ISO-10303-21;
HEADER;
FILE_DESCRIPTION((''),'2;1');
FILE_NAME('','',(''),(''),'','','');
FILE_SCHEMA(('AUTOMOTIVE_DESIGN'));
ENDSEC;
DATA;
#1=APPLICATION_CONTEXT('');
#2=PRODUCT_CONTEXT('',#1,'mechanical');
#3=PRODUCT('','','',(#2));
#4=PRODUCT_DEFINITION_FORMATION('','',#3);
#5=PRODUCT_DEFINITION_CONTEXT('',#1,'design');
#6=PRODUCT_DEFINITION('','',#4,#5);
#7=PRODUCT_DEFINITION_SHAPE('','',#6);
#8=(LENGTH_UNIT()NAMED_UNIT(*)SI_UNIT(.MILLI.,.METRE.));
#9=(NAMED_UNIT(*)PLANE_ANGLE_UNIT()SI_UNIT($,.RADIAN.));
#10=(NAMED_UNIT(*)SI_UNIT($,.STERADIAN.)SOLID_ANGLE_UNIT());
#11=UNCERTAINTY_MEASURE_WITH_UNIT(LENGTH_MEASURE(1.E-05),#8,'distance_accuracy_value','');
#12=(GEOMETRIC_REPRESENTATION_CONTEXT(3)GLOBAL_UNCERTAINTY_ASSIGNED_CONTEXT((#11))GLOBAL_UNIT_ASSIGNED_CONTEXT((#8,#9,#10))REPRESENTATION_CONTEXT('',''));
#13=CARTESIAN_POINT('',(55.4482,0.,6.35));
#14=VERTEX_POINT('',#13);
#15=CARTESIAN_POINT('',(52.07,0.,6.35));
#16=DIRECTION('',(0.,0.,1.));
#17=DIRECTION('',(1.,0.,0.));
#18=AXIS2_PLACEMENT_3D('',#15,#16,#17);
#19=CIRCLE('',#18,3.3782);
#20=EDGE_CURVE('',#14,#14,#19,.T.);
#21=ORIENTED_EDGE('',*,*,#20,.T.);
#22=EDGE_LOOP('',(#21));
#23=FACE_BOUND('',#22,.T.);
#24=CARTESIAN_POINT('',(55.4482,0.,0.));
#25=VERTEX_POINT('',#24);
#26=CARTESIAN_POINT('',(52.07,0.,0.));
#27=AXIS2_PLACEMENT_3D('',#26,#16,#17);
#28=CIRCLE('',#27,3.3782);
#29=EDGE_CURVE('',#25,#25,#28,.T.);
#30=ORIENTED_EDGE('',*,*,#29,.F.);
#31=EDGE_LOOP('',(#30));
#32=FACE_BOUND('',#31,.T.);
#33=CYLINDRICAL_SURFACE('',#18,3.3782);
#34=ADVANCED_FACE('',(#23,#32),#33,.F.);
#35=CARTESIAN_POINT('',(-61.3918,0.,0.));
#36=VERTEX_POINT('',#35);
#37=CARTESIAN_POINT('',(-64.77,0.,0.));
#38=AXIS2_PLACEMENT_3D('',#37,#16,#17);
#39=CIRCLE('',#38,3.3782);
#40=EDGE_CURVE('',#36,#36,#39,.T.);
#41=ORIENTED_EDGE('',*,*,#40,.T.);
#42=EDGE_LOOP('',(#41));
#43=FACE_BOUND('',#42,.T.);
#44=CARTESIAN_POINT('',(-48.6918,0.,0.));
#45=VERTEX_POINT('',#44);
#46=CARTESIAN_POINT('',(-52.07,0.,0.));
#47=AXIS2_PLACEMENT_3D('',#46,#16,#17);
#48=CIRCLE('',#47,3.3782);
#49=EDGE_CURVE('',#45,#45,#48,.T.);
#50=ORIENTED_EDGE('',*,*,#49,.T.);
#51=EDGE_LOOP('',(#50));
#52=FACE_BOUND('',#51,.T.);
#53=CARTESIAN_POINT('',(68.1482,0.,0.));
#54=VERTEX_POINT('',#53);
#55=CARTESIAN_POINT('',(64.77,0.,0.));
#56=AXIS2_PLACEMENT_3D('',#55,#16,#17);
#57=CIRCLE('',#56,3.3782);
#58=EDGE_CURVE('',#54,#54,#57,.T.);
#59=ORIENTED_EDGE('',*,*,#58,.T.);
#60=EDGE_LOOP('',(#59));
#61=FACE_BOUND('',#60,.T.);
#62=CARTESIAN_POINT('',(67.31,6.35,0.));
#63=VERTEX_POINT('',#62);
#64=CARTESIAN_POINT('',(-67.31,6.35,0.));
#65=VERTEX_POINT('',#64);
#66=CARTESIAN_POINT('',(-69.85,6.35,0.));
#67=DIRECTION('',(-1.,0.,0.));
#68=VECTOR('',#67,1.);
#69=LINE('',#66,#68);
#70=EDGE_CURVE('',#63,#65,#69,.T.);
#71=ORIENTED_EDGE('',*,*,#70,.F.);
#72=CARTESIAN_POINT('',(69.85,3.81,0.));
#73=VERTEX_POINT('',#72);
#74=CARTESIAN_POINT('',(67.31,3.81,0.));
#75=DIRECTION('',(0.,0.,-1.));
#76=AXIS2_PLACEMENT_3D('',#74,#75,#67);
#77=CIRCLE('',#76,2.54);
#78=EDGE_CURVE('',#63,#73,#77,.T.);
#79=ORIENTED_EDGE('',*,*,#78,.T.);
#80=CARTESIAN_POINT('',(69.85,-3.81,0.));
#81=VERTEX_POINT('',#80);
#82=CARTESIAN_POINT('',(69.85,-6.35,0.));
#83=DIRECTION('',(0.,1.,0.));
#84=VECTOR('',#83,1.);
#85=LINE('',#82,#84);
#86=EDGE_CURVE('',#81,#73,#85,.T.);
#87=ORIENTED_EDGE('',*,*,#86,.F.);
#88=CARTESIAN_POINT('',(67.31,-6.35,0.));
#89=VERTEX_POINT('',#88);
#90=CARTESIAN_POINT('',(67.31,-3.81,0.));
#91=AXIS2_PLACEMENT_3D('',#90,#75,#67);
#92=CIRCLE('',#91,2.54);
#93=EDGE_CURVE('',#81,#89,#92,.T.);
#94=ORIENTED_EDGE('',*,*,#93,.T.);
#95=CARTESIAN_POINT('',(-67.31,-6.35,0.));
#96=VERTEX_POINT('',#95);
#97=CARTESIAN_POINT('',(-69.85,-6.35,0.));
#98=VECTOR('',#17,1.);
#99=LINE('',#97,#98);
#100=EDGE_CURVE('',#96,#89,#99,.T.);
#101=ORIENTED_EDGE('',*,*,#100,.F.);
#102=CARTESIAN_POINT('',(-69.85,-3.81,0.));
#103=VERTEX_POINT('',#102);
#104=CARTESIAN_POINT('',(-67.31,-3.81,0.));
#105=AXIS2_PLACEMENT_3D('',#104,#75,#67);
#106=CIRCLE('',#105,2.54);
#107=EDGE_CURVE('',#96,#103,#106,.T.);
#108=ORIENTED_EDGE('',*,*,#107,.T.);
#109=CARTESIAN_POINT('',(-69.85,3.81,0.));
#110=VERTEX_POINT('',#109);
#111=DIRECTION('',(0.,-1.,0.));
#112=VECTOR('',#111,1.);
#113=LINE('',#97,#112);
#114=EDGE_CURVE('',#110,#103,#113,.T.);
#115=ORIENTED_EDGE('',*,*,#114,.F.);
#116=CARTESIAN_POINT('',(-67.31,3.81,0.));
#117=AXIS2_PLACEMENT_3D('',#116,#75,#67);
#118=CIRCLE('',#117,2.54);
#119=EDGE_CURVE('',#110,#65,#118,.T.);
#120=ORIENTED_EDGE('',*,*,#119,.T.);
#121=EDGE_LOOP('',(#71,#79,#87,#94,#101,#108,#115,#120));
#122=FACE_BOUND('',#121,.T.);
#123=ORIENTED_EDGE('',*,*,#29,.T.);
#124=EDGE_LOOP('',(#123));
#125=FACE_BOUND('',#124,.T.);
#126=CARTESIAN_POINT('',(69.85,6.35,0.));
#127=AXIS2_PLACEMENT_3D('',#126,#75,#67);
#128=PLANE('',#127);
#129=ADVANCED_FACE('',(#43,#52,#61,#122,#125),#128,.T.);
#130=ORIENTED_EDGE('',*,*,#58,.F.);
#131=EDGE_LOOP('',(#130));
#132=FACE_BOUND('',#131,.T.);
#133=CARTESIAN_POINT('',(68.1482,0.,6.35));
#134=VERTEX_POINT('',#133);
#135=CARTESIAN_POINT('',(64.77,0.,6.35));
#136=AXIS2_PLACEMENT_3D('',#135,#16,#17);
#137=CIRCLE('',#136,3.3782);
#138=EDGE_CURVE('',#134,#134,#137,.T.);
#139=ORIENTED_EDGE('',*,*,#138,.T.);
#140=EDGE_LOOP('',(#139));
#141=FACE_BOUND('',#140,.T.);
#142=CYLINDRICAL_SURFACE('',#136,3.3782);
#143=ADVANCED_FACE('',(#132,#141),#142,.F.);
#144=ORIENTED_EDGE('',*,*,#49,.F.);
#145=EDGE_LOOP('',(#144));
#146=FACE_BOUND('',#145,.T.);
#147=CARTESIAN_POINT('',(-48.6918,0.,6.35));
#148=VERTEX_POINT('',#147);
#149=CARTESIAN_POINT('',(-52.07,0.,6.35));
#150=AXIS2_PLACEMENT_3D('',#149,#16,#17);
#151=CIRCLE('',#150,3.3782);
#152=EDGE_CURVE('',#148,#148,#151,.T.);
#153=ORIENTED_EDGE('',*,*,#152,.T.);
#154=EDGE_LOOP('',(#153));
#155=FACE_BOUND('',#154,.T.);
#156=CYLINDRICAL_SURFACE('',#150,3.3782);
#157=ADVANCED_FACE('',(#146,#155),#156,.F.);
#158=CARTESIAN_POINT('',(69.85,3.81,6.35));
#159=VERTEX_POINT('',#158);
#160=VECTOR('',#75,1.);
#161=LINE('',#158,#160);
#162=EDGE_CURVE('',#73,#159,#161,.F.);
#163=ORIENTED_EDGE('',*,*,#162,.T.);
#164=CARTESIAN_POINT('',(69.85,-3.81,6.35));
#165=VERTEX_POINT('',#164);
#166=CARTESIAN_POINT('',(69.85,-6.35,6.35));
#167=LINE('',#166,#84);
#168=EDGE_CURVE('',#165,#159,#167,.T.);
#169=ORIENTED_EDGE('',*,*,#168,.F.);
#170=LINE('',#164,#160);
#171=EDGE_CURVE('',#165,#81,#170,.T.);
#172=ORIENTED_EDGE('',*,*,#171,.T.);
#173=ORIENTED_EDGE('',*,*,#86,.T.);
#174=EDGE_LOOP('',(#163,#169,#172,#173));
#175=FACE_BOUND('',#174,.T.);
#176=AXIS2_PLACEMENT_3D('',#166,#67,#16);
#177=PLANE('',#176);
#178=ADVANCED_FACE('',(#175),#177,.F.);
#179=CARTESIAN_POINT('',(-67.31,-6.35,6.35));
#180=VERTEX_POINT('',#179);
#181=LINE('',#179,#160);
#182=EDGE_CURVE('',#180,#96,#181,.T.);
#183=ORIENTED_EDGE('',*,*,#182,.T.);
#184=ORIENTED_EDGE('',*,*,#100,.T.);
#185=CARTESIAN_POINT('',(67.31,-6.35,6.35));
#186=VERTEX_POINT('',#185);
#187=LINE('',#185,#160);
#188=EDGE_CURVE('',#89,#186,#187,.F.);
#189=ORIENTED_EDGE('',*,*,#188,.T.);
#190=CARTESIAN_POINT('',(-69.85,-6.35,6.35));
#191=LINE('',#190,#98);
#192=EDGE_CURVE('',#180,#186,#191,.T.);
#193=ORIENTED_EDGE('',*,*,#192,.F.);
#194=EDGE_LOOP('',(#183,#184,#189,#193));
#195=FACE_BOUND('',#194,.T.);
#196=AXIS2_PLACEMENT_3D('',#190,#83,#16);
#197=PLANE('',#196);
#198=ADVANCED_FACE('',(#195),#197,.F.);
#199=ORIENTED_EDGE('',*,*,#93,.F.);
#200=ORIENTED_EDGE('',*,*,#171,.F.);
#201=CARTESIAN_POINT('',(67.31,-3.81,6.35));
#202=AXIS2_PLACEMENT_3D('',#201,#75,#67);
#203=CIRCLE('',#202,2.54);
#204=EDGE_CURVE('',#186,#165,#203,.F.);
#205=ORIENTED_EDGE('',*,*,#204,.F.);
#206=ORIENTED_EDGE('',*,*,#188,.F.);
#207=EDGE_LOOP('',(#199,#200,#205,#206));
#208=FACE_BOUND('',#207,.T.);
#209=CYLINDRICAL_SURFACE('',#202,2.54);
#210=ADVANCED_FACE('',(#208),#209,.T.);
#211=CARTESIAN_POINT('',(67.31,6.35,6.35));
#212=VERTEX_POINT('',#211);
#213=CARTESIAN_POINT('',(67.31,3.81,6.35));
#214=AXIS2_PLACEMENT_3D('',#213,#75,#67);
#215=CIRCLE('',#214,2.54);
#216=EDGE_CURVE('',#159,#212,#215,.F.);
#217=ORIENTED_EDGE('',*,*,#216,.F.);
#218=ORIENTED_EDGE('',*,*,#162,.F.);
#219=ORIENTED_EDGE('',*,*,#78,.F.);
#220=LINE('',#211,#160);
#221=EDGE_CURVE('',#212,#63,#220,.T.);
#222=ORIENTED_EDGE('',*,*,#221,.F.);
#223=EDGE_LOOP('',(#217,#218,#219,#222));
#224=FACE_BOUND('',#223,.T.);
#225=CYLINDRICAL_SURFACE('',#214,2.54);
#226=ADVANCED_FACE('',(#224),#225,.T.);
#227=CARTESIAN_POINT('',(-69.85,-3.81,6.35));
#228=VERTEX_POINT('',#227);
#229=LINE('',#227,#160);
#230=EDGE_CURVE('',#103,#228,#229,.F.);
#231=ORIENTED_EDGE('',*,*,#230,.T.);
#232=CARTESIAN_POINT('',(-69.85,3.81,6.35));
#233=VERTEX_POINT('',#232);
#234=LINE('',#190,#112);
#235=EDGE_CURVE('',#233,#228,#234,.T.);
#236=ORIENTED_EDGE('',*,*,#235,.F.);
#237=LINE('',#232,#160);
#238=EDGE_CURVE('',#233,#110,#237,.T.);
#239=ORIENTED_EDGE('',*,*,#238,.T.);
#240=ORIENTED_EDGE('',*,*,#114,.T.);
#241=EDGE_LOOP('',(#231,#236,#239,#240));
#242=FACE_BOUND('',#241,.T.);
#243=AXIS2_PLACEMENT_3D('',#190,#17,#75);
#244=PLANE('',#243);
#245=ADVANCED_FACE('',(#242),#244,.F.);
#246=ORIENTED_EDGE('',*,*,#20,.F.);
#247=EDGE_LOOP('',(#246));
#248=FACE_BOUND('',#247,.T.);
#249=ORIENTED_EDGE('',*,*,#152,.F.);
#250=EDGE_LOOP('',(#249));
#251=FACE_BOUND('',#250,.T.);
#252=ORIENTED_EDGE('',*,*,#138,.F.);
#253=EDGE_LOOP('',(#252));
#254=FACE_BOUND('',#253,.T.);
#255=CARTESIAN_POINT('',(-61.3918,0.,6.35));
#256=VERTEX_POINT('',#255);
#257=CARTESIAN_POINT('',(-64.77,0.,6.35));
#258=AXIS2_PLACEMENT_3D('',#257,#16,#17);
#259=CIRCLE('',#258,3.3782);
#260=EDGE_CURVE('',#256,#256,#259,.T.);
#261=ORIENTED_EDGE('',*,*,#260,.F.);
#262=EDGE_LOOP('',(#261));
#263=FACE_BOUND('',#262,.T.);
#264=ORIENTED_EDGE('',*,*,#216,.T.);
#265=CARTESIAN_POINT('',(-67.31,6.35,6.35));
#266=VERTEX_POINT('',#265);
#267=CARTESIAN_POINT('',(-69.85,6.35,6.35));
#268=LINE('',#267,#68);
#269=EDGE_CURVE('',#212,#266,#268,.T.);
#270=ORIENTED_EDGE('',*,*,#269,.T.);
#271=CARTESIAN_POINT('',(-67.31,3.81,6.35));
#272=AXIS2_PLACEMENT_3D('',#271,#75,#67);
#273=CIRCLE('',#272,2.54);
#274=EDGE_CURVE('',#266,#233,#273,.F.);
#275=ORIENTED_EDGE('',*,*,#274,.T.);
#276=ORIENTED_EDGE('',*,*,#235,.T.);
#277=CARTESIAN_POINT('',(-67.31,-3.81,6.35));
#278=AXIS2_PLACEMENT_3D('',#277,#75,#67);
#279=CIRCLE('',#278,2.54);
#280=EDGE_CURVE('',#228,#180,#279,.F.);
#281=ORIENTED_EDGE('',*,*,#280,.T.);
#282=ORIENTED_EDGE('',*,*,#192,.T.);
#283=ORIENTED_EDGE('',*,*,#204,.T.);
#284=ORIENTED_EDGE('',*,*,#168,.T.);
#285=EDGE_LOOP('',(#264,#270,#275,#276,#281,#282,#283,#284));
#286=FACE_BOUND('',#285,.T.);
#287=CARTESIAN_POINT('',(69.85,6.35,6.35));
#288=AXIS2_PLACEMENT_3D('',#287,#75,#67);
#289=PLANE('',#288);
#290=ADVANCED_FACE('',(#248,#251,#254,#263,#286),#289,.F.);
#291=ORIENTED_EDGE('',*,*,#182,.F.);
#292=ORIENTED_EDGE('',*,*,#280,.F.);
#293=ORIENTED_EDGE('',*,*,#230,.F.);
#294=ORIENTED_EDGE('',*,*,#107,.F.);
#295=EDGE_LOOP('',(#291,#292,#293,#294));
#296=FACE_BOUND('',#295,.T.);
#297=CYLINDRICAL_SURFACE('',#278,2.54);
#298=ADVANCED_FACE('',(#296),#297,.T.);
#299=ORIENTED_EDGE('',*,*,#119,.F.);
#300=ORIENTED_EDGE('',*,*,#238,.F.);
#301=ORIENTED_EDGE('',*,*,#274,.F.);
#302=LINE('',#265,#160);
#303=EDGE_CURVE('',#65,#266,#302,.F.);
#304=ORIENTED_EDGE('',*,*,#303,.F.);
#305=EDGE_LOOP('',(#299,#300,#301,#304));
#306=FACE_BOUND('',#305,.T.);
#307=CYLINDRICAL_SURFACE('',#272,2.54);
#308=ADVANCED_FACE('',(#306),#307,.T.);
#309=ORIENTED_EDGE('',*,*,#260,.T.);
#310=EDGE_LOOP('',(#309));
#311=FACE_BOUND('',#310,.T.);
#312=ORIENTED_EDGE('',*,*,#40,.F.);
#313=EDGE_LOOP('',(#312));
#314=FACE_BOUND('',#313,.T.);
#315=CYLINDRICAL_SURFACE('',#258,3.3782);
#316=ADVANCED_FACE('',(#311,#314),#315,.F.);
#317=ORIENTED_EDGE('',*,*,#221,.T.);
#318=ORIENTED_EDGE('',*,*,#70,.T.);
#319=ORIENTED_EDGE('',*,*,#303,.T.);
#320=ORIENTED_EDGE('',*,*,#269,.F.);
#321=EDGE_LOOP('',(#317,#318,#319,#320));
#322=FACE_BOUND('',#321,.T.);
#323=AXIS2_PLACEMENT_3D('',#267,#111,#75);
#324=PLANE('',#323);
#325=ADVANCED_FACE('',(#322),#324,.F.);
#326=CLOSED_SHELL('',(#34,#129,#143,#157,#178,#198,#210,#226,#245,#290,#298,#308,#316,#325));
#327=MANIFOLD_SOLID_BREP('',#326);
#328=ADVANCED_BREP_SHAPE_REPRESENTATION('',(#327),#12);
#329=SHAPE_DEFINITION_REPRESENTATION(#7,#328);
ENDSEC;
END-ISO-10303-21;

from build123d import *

# Parameters (mm, degrees)
SKETCH1_W                = 139.7
SKETCH1_H                = 12.7
BOSS_EXTRUDE1_DEPTH      = 6.35
H_0_266_DIAMETER_HOLE1_D = 6.7564
FILLET1_R                = 2.54


with BuildPart() as part:
    # Sketch1 → Boss-Extrude1 (new body)
    with BuildSketch(Plane.XY):
        Rectangle(SKETCH1_W, SKETCH1_H)
    extrude(amount=BOSS_EXTRUDE1_DEPTH)

    # H (0.266) Diameter Hole1 (through all)
    with Locations(Plane.XY.offset(6.35)):
        with Locations((-64.77, 0), (-52.07, 0), (52.07, 0), (64.77, 0)):
            Hole(H_0_266_DIAMETER_HOLE1_D / 2)

    # Fillet1
    fillet1_edges = [part.edges().sort_by_distance(p)[0] for p in [
        (69.85, -6.35, 3.175),
        (-69.85, -6.35, 3.175),
        (-69.85, 6.35, 3.175),
        (69.85, 6.35, 3.175),
    ]]
    fillet(fillet1_edges, radius=FILLET1_R)


solid = part.part
